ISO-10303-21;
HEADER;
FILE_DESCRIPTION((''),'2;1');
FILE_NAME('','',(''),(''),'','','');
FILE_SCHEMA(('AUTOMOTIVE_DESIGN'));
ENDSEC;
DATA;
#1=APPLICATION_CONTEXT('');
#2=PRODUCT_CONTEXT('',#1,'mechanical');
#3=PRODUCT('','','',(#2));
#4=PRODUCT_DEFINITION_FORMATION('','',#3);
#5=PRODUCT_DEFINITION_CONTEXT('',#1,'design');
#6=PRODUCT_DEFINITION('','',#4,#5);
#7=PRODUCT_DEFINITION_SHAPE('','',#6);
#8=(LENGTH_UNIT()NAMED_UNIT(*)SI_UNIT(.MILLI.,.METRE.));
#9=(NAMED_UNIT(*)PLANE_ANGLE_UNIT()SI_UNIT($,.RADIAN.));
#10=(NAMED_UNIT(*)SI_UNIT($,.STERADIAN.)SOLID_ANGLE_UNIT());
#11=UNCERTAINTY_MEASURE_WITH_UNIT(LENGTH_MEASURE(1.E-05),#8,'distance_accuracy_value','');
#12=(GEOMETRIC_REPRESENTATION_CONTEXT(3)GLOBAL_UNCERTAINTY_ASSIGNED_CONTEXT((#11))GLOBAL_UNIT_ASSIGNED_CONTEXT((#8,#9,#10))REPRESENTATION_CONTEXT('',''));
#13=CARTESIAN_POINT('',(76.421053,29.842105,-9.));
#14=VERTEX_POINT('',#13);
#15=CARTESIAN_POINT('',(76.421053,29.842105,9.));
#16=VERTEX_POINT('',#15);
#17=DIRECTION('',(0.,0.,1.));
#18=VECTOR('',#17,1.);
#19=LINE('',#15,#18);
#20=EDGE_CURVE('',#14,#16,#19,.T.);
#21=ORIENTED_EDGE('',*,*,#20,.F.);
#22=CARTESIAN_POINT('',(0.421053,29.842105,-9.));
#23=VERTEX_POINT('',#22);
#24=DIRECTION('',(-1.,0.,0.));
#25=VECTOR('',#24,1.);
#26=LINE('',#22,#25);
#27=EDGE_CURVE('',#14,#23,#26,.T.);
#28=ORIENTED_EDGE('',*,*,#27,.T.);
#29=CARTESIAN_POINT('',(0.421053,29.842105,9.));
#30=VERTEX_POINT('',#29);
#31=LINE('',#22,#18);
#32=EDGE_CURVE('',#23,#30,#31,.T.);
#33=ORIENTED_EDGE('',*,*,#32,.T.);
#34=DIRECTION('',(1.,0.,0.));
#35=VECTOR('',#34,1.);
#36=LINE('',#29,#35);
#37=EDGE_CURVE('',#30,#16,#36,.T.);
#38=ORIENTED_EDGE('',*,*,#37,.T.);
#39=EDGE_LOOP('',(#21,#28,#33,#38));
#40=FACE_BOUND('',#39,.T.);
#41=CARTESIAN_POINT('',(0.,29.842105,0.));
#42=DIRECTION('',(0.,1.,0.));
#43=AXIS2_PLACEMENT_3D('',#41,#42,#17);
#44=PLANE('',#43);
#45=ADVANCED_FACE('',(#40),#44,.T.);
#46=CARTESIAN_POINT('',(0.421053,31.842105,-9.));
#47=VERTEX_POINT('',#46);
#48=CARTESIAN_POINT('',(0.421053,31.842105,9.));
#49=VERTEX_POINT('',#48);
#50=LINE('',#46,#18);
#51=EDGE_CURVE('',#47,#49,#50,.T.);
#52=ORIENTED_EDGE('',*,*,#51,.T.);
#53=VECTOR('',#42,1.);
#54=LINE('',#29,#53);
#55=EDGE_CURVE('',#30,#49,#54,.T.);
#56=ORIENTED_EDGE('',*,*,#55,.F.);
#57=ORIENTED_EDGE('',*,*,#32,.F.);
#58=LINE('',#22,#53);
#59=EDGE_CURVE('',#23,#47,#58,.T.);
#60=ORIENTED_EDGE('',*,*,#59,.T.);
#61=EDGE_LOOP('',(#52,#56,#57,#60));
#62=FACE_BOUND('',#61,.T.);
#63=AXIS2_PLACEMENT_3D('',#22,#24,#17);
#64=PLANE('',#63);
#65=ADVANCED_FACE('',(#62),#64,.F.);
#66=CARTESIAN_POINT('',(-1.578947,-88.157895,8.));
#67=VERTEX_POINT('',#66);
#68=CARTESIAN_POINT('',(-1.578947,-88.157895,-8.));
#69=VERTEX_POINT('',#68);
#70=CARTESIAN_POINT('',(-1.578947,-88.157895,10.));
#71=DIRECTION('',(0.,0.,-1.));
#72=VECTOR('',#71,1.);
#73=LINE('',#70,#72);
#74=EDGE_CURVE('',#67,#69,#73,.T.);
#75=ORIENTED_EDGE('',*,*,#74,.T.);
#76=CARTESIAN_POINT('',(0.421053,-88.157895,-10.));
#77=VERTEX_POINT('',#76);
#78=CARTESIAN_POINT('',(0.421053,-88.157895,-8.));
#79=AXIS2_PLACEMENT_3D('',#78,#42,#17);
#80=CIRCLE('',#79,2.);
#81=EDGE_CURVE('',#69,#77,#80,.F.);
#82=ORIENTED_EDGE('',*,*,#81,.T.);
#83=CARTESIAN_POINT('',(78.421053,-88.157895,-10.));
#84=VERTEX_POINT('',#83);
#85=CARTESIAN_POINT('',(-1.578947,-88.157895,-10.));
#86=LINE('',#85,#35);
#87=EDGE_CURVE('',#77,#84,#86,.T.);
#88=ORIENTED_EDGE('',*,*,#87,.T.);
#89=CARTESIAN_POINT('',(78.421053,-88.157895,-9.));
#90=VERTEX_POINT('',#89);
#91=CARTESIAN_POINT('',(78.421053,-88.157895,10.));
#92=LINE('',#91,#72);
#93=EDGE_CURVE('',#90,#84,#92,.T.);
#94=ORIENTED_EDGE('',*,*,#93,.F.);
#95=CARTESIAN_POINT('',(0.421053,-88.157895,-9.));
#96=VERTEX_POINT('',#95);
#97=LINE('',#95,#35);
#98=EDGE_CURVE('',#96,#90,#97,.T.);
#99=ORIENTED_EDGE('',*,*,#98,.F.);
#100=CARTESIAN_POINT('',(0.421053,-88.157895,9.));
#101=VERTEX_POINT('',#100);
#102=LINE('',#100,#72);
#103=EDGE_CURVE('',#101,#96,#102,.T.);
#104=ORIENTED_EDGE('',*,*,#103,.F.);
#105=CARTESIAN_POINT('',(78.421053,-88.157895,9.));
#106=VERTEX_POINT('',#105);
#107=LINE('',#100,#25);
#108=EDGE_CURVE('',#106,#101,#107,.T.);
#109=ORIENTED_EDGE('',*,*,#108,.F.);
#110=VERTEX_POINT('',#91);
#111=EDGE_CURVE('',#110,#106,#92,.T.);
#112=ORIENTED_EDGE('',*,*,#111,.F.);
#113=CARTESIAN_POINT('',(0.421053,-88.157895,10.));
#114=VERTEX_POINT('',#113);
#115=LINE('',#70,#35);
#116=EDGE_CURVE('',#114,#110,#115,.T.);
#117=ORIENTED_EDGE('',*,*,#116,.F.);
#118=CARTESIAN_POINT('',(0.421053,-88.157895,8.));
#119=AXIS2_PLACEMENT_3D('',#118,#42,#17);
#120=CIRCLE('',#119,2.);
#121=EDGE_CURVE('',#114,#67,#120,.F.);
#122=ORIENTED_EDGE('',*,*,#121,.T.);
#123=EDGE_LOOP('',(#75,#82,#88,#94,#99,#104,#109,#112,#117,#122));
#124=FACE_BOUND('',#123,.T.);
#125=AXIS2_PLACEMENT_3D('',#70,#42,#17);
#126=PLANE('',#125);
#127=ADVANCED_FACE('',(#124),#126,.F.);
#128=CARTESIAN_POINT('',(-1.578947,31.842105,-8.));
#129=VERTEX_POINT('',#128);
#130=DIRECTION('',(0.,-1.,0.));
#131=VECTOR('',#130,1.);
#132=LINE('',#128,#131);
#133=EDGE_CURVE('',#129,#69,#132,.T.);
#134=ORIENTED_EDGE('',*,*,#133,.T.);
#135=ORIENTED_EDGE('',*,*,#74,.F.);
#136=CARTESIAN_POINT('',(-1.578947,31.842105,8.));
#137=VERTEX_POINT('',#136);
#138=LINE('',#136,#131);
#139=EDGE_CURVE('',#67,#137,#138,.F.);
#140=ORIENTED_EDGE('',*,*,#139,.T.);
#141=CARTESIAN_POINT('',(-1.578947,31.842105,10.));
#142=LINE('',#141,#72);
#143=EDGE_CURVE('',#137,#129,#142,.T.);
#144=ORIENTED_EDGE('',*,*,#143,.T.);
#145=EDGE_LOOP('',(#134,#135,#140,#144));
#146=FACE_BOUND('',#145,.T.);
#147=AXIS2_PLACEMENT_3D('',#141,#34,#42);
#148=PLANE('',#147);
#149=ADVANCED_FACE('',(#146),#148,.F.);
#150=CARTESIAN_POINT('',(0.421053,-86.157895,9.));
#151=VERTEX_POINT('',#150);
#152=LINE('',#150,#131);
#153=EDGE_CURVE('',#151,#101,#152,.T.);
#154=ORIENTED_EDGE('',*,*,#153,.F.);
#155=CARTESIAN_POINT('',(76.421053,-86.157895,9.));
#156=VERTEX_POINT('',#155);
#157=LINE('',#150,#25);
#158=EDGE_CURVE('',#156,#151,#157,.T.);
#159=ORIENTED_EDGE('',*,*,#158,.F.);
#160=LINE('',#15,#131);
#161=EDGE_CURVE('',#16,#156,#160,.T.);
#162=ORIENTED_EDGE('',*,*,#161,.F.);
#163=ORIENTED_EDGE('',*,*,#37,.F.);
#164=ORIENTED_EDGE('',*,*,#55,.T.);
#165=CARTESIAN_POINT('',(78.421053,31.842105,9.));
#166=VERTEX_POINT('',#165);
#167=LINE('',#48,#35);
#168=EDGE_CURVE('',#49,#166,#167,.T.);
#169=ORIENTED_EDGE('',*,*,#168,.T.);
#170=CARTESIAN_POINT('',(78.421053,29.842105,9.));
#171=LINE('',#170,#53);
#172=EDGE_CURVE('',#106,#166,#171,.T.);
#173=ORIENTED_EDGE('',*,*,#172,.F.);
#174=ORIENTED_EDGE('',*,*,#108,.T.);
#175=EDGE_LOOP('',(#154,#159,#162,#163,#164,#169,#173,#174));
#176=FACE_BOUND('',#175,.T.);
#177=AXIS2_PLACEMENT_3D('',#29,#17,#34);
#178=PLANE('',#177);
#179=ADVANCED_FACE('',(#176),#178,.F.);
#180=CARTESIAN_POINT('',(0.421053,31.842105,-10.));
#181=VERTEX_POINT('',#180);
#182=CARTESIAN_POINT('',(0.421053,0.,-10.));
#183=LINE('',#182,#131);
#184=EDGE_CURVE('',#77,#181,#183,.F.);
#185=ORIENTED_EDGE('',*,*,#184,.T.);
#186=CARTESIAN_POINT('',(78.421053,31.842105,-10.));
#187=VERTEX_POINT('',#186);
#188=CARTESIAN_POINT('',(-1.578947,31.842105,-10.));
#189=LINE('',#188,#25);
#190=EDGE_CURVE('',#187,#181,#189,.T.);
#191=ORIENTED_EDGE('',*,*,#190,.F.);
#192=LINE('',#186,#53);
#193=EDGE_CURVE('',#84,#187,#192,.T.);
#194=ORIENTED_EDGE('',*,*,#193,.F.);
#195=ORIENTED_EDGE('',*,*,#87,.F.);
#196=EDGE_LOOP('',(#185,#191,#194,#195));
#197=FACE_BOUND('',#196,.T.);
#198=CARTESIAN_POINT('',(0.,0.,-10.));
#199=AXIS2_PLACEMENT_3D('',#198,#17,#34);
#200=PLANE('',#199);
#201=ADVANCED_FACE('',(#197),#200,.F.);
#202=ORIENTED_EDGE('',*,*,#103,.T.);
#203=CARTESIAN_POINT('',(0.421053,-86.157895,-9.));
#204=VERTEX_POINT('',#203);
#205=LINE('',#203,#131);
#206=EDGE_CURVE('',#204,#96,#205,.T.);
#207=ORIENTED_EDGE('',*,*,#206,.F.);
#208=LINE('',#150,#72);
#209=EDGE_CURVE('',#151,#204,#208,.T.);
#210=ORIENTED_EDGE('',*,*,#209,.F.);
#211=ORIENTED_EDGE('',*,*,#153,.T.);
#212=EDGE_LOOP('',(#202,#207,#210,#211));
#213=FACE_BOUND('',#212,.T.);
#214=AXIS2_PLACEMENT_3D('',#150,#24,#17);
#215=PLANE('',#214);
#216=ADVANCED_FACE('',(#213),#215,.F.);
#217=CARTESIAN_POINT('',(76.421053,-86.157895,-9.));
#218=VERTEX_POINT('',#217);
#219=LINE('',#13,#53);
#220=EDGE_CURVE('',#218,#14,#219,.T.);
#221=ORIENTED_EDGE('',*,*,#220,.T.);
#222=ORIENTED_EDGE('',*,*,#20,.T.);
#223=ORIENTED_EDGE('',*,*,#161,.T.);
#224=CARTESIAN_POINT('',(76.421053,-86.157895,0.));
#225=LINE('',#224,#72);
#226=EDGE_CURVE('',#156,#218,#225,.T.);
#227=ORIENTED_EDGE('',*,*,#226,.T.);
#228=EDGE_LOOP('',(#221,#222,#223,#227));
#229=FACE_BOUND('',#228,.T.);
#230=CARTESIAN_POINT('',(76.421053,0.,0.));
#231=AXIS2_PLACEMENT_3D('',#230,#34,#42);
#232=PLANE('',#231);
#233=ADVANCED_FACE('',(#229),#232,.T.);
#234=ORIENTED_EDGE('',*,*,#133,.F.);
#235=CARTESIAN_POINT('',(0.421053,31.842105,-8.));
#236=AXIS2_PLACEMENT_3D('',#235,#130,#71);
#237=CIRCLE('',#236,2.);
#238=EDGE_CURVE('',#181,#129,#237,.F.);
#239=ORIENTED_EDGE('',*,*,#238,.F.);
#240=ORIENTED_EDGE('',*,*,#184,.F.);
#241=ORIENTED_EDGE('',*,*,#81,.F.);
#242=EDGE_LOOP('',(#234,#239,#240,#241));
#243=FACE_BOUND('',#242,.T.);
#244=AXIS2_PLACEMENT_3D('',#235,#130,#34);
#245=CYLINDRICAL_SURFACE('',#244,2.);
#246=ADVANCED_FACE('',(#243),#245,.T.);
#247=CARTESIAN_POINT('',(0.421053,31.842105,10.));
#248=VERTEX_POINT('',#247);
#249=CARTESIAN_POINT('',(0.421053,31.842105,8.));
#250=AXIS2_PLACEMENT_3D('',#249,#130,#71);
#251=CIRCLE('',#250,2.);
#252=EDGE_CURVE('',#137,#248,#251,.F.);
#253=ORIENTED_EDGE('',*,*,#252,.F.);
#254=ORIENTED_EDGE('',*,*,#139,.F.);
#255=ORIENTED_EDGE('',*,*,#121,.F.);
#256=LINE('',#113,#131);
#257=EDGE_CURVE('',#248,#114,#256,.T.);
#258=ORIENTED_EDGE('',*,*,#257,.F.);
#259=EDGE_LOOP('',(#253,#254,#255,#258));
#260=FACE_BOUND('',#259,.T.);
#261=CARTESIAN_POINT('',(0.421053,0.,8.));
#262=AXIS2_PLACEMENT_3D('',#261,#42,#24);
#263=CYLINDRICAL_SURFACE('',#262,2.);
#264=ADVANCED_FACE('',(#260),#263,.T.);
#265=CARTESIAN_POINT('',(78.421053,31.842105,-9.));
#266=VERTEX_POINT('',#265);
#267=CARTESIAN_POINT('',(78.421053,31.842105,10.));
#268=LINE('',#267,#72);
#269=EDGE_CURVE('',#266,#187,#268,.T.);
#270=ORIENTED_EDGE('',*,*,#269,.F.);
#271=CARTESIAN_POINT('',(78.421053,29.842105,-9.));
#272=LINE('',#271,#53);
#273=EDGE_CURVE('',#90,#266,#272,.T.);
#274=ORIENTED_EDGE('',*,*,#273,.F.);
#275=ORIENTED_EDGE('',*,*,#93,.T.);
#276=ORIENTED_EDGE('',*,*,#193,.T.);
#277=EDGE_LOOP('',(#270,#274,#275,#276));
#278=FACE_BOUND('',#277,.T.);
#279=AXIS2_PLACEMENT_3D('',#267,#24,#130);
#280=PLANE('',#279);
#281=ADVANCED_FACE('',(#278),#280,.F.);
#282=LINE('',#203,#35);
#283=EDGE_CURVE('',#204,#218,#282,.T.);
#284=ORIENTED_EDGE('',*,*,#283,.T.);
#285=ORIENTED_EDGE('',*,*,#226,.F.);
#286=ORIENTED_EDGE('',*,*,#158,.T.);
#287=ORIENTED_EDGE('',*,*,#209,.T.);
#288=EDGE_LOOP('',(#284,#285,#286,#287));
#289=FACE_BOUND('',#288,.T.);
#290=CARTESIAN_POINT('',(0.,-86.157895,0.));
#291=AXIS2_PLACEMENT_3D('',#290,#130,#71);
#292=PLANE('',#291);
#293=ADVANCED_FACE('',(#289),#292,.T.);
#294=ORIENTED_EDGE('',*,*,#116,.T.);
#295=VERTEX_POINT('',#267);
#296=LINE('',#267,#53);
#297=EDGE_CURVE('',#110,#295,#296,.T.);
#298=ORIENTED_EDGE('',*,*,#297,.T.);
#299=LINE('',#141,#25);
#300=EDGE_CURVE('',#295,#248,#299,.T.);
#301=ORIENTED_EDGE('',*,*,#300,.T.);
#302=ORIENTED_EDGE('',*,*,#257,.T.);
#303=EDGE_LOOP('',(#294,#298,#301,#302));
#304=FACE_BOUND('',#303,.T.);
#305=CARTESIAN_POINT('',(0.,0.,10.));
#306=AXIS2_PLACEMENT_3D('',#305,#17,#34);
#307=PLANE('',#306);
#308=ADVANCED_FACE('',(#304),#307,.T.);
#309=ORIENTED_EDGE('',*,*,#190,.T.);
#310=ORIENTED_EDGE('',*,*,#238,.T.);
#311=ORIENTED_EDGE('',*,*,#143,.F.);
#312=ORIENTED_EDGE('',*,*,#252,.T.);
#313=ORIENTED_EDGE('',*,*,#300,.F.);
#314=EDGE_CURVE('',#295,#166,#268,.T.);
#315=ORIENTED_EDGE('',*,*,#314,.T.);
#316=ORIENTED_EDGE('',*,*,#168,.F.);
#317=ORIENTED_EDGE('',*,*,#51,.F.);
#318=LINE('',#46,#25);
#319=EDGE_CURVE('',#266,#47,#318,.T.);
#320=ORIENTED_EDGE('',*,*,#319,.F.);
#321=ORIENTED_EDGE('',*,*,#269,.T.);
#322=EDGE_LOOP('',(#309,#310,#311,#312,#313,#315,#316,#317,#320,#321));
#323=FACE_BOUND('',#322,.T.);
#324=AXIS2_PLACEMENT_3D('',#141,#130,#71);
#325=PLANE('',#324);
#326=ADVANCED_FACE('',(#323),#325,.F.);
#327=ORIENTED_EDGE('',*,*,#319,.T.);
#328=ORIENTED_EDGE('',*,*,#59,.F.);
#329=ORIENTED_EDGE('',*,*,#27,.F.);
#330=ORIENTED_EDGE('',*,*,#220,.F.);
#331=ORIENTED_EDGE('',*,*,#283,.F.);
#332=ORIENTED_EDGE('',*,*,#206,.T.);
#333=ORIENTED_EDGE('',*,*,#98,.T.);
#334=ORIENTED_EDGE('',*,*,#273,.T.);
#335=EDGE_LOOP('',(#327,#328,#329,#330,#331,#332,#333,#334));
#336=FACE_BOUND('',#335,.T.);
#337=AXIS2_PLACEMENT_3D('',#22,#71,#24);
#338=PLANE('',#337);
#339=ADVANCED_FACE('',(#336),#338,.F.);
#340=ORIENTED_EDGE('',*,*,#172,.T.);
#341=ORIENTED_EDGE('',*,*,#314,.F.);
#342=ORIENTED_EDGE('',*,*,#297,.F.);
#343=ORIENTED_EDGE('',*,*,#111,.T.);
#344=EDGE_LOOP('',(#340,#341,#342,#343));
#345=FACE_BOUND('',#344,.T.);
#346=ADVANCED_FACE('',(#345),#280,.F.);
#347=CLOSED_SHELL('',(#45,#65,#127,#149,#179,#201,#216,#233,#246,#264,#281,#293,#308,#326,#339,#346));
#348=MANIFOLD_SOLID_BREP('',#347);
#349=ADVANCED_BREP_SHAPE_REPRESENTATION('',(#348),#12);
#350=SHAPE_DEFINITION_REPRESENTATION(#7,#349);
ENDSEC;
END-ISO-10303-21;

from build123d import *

# Parameters (mm, degrees)
SKETCH7_W           = 80
SKETCH7_H           = 120
BOSS_EXTRUDE2_DEPTH = 10
SKETCH8_W           = 78
SKETCH8_H           = 18
CUT_EXTRUDE1_DEPTH  = 2
SKETCH9_W           = 18
SKETCH9_H           = 117
CUT_EXTRUDE2_DEPTH  = 2
SKETCH10_W          = 78
SKETCH10_H          = 18
CUT_EXTRUDE3_DEPTH  = 2
FILLET1_R           = 2


with BuildPart() as part:
    # Sketch7 → Boss-Extrude2 (new, symmetric)
    with BuildSketch(Plane.XY):
        with Locations((38.421052632, -28.157894737)):
            Rectangle(SKETCH7_W, SKETCH7_H)
    extrude(amount=BOSS_EXTRUDE2_DEPTH, both=True)

    # Sketch8 → Cut-Extrude1 (cut)
    with BuildSketch(Plane(origin=(0, 31.842105263, 0), x_dir=(1, 0, 0), z_dir=(0, 1, 0))):
        with Locations((39.421052632, 0)):
            Rectangle(SKETCH8_W, SKETCH8_H)
    extrude(amount=-CUT_EXTRUDE1_DEPTH, mode=Mode.SUBTRACT)

    # Sketch9 → Cut-Extrude2 (cut)
    with BuildSketch(Plane(origin=(78.421052632, 0, 0), x_dir=(0, 0, -1), z_dir=(1, 0, 0))):
        with Locations((0, -28.657894737)):
            Rectangle(SKETCH9_W, SKETCH9_H)
    extrude(amount=-CUT_EXTRUDE2_DEPTH, mode=Mode.SUBTRACT)

    # Sketch10 → Cut-Extrude3 (cut)
    with BuildSketch(Plane.XZ.offset(88.157894737)):
        with Locations((39.421052632, 0)):
            Rectangle(SKETCH10_W, SKETCH10_H)
    extrude(amount=-CUT_EXTRUDE3_DEPTH, mode=Mode.SUBTRACT)

    # Fillet1
    fillet1_edges = [part.edges().sort_by_distance(p)[0] for p in [
        (-1.578947368, -28.157894737, 10),
        (-1.578947368, -28.157894737, -10),
    ]]
    fillet(fillet1_edges, radius=FILLET1_R)


solid = part.part
